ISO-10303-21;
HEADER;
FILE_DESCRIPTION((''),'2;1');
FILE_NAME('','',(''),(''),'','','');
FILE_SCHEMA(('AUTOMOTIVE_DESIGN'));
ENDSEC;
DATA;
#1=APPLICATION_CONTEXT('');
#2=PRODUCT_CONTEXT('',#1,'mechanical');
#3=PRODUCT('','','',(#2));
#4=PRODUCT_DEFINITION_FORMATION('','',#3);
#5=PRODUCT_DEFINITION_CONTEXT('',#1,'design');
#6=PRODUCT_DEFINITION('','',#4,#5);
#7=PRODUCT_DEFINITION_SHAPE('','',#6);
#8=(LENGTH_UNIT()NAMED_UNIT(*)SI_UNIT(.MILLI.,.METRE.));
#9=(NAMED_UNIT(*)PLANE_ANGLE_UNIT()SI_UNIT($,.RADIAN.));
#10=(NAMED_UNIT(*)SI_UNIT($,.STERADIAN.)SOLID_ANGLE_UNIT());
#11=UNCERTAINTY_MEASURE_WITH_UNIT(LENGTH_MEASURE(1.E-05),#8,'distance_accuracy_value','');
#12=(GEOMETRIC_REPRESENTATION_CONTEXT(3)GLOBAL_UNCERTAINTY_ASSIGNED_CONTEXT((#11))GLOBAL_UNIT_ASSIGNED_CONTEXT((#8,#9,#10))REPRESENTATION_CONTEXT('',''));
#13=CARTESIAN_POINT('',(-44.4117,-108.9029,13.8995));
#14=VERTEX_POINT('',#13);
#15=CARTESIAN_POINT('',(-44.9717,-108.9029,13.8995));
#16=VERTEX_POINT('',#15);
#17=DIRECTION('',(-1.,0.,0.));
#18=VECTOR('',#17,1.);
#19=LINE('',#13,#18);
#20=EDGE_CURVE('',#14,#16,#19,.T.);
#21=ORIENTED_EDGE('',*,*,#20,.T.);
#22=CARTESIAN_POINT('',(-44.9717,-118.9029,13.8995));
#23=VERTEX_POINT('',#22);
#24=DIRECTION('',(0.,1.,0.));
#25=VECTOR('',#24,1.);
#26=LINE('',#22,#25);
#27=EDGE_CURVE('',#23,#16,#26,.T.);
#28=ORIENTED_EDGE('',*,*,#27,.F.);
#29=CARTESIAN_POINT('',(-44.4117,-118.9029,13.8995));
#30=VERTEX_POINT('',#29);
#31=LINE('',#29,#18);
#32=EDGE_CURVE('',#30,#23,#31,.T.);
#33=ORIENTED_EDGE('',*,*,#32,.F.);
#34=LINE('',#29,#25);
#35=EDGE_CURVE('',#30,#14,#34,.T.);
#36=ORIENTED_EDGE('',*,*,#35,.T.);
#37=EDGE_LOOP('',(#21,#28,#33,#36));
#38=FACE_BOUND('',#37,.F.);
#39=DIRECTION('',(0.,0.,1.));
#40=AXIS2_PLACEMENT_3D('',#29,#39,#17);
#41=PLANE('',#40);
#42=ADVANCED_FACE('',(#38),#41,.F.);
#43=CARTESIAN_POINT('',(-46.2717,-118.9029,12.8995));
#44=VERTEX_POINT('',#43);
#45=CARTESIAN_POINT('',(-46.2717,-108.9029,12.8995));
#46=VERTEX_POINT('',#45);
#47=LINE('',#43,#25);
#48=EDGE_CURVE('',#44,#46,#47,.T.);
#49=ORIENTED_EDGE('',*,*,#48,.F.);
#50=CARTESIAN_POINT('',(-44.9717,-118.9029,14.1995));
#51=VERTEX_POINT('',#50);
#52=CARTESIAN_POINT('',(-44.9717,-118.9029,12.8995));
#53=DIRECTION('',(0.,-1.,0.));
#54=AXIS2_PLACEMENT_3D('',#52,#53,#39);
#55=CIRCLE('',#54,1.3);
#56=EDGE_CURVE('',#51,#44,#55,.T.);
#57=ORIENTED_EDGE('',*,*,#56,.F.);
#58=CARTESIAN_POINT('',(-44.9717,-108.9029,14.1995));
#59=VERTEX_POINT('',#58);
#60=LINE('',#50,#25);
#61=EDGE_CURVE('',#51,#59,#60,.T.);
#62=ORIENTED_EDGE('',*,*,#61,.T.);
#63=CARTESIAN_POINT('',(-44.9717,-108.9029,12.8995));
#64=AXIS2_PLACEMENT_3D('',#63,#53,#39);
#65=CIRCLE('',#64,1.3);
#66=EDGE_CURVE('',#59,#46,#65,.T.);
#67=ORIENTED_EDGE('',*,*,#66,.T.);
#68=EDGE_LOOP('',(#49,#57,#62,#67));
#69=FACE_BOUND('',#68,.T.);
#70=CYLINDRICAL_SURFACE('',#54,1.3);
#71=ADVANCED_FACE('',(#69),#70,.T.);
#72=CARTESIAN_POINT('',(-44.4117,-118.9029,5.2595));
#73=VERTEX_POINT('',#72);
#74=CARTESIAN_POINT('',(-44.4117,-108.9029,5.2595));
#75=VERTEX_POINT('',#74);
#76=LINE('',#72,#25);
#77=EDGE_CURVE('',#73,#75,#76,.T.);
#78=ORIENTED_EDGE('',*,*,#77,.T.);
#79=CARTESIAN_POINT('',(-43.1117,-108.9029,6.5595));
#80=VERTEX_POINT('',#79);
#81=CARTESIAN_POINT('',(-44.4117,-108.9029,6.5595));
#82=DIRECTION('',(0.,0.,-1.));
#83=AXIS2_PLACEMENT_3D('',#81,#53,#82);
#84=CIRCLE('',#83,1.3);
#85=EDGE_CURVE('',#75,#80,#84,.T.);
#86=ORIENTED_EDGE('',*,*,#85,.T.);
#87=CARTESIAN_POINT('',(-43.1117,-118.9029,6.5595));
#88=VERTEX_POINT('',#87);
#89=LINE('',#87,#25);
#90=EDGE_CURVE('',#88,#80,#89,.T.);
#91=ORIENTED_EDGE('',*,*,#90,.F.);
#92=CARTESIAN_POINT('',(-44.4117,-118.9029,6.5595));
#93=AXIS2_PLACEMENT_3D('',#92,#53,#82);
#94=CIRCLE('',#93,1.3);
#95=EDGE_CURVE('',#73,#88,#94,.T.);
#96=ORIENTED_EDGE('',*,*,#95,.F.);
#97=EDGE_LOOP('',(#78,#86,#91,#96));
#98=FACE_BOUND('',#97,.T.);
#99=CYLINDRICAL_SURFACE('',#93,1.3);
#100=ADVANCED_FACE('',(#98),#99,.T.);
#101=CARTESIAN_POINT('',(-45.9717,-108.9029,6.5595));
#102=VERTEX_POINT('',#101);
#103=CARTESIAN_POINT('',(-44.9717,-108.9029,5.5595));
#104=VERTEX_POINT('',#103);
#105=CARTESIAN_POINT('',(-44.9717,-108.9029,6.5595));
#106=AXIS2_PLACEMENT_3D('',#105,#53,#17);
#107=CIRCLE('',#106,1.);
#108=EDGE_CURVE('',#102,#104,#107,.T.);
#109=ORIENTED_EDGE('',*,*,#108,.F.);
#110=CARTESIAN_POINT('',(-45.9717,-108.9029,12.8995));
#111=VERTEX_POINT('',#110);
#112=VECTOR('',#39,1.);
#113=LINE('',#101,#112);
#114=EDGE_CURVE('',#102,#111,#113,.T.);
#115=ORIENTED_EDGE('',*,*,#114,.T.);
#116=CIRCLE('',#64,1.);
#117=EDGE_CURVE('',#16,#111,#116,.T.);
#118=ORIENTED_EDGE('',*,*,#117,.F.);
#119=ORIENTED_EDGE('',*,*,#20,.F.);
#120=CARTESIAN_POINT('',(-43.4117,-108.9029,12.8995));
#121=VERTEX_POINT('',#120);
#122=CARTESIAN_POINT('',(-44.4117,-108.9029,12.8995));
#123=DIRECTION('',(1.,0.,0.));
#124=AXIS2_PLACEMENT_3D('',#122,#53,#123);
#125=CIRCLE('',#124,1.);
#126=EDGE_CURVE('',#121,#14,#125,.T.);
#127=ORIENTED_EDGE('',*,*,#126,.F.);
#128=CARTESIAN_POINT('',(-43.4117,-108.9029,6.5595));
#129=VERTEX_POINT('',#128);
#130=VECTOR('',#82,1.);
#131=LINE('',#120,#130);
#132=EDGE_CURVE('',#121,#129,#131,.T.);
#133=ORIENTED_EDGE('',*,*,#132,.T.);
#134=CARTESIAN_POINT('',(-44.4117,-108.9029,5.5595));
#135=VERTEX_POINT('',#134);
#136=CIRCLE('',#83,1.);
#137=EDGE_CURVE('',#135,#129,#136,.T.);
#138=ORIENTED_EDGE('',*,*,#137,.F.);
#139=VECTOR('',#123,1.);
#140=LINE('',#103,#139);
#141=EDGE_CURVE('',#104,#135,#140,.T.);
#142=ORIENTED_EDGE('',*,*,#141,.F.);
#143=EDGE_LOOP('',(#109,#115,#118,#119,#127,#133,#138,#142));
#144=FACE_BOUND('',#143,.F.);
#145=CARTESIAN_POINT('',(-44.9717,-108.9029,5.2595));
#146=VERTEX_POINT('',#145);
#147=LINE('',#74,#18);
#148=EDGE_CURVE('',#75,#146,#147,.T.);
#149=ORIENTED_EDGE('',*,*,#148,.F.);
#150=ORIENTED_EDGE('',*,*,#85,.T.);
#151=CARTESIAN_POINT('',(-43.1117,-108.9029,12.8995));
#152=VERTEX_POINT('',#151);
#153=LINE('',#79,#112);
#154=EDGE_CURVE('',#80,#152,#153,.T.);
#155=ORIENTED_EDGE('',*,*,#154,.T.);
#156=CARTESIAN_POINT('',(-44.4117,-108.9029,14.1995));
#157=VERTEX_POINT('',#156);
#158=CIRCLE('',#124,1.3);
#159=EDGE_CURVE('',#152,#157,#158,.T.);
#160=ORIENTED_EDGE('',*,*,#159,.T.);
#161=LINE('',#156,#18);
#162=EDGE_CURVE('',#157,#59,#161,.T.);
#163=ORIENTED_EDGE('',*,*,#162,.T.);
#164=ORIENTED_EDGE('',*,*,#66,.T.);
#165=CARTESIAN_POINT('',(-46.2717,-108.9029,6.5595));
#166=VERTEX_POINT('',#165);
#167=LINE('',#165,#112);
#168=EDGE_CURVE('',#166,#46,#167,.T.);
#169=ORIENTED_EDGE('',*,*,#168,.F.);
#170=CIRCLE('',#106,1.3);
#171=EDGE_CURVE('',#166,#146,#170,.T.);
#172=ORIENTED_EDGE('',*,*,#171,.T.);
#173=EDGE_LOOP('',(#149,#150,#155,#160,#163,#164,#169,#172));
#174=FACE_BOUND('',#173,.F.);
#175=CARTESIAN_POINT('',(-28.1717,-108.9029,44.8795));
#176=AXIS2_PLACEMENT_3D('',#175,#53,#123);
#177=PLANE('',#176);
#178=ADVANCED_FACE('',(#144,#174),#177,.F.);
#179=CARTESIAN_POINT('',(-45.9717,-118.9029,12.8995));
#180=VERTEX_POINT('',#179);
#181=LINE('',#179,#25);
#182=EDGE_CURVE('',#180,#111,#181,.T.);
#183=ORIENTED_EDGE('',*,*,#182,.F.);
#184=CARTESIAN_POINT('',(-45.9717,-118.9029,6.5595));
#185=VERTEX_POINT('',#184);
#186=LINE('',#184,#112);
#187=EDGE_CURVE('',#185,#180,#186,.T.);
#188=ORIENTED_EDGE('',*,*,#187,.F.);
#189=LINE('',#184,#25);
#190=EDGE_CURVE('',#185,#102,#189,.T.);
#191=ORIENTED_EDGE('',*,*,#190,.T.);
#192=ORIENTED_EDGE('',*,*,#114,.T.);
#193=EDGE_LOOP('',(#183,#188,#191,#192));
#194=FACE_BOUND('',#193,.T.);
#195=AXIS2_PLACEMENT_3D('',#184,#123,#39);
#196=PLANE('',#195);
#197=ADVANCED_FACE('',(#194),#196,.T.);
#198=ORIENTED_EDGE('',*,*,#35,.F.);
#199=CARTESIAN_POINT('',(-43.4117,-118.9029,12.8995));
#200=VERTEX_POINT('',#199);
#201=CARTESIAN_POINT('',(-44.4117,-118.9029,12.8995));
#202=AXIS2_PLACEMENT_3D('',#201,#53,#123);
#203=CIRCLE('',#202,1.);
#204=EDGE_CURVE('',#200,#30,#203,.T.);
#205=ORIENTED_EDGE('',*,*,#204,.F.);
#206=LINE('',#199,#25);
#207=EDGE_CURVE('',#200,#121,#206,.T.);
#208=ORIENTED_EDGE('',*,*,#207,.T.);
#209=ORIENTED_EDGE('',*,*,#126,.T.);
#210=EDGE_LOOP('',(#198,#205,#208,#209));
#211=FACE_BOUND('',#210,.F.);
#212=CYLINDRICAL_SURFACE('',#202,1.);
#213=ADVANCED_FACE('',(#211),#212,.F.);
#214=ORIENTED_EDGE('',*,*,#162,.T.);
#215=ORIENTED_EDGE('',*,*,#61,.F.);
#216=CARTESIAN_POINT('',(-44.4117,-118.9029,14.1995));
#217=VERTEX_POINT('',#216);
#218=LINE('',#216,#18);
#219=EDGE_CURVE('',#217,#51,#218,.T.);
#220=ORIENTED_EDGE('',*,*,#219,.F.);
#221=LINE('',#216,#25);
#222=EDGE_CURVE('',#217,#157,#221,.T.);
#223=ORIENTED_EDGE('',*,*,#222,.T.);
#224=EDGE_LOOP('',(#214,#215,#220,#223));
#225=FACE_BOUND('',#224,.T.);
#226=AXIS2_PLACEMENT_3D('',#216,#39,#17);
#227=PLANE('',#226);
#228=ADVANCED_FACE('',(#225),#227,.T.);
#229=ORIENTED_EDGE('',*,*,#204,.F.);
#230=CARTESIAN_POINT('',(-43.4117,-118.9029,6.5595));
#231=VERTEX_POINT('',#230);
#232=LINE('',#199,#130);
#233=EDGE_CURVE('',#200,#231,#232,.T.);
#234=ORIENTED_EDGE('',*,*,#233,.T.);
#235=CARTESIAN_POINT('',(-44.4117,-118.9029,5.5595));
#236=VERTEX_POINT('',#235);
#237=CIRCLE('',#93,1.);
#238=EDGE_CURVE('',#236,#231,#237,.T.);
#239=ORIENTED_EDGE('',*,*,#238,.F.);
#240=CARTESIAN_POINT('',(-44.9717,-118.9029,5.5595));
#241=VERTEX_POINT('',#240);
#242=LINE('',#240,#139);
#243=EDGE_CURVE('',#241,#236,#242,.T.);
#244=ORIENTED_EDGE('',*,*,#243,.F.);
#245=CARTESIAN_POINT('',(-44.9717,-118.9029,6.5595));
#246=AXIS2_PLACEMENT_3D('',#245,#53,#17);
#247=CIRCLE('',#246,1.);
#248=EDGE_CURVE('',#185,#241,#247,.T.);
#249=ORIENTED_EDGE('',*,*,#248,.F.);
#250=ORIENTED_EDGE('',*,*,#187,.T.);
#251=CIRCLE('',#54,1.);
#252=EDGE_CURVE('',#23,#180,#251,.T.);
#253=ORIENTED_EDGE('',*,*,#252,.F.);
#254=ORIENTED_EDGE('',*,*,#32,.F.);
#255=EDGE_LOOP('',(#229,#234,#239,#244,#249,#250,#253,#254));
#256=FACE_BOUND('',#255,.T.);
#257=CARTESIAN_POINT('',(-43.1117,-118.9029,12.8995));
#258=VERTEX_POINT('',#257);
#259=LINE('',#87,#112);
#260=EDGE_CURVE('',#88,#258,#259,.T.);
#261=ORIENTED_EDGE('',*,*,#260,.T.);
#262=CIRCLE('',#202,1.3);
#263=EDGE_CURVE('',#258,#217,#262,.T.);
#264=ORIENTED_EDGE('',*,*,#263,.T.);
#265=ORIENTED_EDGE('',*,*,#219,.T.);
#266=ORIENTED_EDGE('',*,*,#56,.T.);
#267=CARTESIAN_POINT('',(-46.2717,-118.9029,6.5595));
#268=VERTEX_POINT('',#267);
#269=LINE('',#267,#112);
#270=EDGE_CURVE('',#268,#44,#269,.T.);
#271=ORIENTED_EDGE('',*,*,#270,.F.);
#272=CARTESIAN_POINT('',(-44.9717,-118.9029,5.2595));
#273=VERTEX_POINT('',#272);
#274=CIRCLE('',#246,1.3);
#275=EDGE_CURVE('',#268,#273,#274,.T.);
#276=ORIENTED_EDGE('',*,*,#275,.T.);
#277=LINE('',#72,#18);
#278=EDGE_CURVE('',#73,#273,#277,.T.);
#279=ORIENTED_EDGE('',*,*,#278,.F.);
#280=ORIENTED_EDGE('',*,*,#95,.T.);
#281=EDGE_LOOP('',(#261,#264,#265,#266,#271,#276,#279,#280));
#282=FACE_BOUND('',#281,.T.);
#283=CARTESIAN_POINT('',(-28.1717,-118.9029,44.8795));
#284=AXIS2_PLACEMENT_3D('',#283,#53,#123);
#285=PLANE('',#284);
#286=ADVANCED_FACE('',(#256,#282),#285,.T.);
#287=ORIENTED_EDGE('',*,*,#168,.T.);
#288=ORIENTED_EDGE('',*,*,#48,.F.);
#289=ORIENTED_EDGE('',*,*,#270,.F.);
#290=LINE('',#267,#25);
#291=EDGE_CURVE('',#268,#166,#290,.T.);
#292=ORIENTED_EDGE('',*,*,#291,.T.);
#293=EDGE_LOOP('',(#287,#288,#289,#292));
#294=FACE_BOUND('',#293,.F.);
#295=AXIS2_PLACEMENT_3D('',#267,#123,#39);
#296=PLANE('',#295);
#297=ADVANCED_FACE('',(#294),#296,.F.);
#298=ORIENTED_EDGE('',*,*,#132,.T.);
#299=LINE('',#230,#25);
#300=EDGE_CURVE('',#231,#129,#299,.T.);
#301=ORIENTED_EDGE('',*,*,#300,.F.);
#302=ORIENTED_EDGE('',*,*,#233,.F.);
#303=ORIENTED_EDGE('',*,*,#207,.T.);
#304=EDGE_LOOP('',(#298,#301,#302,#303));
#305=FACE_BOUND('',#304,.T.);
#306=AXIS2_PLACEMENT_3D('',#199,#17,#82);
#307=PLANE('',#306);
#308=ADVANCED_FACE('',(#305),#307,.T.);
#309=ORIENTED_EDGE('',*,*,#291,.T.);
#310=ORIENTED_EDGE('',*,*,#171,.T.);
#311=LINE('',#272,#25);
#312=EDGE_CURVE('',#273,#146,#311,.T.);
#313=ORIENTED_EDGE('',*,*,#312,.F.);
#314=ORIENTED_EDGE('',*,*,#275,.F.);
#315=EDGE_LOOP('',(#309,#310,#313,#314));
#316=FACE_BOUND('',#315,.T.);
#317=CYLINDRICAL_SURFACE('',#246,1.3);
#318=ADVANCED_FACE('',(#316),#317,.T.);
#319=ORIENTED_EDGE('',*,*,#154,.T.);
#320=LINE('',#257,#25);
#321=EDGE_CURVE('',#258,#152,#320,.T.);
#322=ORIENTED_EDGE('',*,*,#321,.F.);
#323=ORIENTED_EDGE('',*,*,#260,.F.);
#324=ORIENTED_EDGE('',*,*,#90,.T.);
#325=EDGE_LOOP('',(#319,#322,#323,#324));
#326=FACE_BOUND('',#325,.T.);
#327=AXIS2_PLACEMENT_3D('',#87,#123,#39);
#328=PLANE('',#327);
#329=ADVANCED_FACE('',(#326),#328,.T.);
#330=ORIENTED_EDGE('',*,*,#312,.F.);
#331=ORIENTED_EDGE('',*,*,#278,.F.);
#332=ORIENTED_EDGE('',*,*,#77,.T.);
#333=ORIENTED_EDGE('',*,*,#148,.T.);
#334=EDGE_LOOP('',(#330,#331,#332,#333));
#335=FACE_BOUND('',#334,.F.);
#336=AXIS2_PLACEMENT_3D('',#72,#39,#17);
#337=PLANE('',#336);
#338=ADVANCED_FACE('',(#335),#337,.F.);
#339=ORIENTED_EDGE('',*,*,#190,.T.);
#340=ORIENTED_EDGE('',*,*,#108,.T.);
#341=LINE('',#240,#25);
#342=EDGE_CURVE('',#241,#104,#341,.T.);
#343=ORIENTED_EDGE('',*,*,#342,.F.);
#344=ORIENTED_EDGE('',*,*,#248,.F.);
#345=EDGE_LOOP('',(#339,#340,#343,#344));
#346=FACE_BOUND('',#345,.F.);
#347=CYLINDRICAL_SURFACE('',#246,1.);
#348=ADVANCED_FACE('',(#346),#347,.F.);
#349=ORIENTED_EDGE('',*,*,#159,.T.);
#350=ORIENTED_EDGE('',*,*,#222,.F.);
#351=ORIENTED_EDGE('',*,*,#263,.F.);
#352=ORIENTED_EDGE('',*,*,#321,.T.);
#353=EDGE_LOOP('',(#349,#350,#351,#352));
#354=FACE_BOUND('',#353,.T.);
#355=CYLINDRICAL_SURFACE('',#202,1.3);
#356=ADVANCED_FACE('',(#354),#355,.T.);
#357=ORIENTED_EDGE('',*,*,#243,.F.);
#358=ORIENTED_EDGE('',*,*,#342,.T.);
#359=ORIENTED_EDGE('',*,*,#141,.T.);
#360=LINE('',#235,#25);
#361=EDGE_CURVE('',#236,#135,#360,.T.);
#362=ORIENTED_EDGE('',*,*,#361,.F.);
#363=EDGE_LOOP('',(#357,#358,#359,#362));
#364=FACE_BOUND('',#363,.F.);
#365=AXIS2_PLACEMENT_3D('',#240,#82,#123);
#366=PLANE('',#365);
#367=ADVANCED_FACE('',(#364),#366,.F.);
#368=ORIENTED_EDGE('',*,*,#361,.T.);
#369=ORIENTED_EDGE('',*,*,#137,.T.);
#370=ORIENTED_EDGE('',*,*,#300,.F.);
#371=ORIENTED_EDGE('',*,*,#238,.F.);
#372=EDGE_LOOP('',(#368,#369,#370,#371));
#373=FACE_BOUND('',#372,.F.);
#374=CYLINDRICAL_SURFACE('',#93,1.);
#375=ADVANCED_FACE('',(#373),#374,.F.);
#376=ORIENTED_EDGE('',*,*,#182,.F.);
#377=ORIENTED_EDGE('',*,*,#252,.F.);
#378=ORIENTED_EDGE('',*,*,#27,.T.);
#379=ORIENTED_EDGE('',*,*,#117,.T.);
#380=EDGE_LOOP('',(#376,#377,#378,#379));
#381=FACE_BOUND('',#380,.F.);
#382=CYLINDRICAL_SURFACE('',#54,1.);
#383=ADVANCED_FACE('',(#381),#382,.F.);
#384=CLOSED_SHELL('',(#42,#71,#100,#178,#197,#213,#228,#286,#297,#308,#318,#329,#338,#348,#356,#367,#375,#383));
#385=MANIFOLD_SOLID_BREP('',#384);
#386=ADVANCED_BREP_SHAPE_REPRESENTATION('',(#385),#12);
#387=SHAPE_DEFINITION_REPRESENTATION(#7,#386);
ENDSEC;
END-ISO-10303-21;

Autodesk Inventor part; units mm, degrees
ref_plane "YZ Plane" through (0, 0, 0) normal (1, 0, 0) x (0, 1, 0)
ref_plane "XZ Plane" through (0, 0, 0) normal (0, 1, 0) x (-1, 0, 0)
ref_plane "XY Plane" through (0, 0, 0) normal (0, 0, 1) x (1, 0, 0)
ref_plane "Arbeitsebene1" through (-28.1717, -118.9029, 44.8795) normal (0, -1, 0) x (1, 0, 0)
sketch "Skizze1" plane through (-28.1717, -118.9029, 44.8795) normal (0, -1, 0) x (1, 0, 0)
  line L0 (-16.24, -39.62) -> (-16.8, -39.62) projected
  arc A0 (-16.24, -39.62) -> (-14.94, -38.32) centre (-16.24, -38.32) ccw projected
  line L1 (-14.94, -38.32) -> (-14.94, -31.98) projected
  arc A1 (-14.94, -31.98) -> (-16.24, -30.68) centre (-16.24, -31.98) ccw projected
  line L2 (-16.24, -30.68) -> (-16.8, -30.68) projected
  arc A2 (-16.8, -30.68) -> (-18.1, -31.98) centre (-16.8, -31.98) ccw projected
  line L3 (-18.1, -38.32) -> (-18.1, -31.98) projected
  arc A3 (-18.1, -38.32) -> (-16.8, -39.62) centre (-16.8, -38.32) ccw projected
  arc A4 (-16.8, -30.98) -> (-17.8, -31.98) centre (-16.8, -31.98) ccw projected
  line L4 (-16.24, -30.98) -> (-16.8, -30.98) projected
  arc A5 (-15.24, -31.98) -> (-16.24, -30.98) centre (-16.24, -31.98) ccw projected
  line L5 (-15.24, -31.98) -> (-15.24, -38.32) projected
  arc A6 (-16.24, -39.32) -> (-15.24, -38.32) centre (-16.24, -38.32) ccw projected
  line L6 (-16.8, -39.32) -> (-16.24, -39.32) projected
  arc A7 (-17.8, -38.32) -> (-16.8, -39.32) centre (-16.8, -38.32) ccw projected
  line L7 (-17.8, -38.32) -> (-17.8, -31.98) projected
  point P0 (28.1717, -44.8795)
extrude "Extrusion1" add sketch "Skizze1" against normal blind 10
equation "\"d_tol\" = 0.3"
equation "\"d_wand\" = 1.5"
equation "\"r_rasp_pi\" = 3"
equation "\"D_oct\" = 3621.32034"
equation "\"d_traeger\" = 625"
equation "\"l_rasp_pi\" = 85"
equation "\"w_kamera_vert\" = 41deg"
equation "\"w_kamera_hori\" = 66deg"
equation "\"D_hexadeca\" = 7541.00924"
equation "\"b_rasp_pi\" = 56"
properties part number "Camera_Assembly_Electrical"
